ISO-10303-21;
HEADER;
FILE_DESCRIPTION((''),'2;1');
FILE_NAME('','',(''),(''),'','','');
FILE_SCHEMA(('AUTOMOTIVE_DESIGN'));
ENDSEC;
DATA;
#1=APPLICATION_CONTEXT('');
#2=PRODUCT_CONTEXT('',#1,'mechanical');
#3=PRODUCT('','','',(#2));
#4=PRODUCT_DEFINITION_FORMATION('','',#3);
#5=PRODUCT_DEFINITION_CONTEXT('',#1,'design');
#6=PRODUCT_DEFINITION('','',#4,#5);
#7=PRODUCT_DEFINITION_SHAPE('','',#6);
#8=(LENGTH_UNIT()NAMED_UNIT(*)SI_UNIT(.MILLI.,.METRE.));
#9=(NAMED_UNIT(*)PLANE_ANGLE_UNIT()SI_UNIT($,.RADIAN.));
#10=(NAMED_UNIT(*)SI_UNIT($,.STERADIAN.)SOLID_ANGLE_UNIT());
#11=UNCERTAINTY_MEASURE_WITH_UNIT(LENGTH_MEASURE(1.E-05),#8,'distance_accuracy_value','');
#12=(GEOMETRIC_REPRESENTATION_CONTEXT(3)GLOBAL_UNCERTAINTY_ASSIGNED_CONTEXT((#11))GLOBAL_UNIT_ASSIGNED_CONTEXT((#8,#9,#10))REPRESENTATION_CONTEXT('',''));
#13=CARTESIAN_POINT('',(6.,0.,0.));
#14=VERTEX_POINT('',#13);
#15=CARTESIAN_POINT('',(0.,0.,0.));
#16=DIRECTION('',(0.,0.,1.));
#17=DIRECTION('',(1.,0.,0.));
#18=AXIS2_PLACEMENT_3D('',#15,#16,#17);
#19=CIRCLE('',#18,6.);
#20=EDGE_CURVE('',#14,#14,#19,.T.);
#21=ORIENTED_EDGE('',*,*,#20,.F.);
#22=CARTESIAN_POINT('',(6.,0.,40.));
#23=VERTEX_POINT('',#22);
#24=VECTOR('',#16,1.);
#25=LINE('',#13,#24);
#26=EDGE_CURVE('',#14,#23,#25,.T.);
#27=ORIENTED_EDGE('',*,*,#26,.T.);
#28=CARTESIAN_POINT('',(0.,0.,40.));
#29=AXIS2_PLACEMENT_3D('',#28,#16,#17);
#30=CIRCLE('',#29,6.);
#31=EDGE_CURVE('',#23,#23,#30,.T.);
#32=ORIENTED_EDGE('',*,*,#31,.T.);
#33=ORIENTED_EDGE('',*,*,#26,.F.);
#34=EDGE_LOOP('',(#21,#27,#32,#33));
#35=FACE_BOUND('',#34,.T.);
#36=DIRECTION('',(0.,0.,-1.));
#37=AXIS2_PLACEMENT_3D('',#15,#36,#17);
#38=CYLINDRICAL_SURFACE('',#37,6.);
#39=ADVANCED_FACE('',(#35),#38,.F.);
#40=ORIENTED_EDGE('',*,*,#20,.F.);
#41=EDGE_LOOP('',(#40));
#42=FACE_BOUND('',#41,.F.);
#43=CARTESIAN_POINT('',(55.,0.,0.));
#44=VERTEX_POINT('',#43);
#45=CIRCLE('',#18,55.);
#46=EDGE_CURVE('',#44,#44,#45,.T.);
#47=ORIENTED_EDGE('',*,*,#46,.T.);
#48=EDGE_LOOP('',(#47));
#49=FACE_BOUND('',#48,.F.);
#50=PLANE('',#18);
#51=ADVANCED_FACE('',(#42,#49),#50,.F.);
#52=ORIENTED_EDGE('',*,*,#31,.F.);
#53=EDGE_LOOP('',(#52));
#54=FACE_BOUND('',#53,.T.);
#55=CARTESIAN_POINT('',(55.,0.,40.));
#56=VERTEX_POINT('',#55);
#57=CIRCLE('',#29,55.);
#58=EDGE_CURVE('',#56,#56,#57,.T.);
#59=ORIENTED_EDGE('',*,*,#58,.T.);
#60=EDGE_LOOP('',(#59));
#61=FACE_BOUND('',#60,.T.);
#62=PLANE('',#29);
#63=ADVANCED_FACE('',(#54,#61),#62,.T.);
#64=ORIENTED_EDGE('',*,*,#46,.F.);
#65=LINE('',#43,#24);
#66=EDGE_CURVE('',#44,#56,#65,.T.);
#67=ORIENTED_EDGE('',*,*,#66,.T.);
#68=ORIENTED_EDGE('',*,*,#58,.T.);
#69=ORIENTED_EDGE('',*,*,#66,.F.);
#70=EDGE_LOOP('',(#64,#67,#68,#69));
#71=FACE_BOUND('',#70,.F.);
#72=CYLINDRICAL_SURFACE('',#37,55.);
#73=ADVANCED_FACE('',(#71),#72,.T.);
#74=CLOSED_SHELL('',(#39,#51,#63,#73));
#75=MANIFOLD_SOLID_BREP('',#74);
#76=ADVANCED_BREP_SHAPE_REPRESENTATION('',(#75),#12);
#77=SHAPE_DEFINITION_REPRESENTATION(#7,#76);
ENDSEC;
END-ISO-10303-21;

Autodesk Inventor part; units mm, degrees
ref_plane "YZ Plane" through (0, 0, 0) normal (1, 0, 0) x (0, 1, 0)
ref_plane "XZ Plane" through (0, 0, 0) normal (0, 1, 0) x (-1, 0, 0)
ref_plane "XY Plane" through (0, 0, 0) normal (0, 0, 1) x (1, 0, 0)
sketch "Sketch1" plane through (0, 0, 0) normal (0, 0, 1) x (1, 0, 0)
  circle A0 centre (0, 0) radius 55
  circle A1 centre (0, 0) radius 6
  dimension "d0" = 110
  dimension "d1" = 12
extrude "Extrusion1" add sketch "Sketch1" along normal blind 40
properties part number "Roue_MonsterTruck"
